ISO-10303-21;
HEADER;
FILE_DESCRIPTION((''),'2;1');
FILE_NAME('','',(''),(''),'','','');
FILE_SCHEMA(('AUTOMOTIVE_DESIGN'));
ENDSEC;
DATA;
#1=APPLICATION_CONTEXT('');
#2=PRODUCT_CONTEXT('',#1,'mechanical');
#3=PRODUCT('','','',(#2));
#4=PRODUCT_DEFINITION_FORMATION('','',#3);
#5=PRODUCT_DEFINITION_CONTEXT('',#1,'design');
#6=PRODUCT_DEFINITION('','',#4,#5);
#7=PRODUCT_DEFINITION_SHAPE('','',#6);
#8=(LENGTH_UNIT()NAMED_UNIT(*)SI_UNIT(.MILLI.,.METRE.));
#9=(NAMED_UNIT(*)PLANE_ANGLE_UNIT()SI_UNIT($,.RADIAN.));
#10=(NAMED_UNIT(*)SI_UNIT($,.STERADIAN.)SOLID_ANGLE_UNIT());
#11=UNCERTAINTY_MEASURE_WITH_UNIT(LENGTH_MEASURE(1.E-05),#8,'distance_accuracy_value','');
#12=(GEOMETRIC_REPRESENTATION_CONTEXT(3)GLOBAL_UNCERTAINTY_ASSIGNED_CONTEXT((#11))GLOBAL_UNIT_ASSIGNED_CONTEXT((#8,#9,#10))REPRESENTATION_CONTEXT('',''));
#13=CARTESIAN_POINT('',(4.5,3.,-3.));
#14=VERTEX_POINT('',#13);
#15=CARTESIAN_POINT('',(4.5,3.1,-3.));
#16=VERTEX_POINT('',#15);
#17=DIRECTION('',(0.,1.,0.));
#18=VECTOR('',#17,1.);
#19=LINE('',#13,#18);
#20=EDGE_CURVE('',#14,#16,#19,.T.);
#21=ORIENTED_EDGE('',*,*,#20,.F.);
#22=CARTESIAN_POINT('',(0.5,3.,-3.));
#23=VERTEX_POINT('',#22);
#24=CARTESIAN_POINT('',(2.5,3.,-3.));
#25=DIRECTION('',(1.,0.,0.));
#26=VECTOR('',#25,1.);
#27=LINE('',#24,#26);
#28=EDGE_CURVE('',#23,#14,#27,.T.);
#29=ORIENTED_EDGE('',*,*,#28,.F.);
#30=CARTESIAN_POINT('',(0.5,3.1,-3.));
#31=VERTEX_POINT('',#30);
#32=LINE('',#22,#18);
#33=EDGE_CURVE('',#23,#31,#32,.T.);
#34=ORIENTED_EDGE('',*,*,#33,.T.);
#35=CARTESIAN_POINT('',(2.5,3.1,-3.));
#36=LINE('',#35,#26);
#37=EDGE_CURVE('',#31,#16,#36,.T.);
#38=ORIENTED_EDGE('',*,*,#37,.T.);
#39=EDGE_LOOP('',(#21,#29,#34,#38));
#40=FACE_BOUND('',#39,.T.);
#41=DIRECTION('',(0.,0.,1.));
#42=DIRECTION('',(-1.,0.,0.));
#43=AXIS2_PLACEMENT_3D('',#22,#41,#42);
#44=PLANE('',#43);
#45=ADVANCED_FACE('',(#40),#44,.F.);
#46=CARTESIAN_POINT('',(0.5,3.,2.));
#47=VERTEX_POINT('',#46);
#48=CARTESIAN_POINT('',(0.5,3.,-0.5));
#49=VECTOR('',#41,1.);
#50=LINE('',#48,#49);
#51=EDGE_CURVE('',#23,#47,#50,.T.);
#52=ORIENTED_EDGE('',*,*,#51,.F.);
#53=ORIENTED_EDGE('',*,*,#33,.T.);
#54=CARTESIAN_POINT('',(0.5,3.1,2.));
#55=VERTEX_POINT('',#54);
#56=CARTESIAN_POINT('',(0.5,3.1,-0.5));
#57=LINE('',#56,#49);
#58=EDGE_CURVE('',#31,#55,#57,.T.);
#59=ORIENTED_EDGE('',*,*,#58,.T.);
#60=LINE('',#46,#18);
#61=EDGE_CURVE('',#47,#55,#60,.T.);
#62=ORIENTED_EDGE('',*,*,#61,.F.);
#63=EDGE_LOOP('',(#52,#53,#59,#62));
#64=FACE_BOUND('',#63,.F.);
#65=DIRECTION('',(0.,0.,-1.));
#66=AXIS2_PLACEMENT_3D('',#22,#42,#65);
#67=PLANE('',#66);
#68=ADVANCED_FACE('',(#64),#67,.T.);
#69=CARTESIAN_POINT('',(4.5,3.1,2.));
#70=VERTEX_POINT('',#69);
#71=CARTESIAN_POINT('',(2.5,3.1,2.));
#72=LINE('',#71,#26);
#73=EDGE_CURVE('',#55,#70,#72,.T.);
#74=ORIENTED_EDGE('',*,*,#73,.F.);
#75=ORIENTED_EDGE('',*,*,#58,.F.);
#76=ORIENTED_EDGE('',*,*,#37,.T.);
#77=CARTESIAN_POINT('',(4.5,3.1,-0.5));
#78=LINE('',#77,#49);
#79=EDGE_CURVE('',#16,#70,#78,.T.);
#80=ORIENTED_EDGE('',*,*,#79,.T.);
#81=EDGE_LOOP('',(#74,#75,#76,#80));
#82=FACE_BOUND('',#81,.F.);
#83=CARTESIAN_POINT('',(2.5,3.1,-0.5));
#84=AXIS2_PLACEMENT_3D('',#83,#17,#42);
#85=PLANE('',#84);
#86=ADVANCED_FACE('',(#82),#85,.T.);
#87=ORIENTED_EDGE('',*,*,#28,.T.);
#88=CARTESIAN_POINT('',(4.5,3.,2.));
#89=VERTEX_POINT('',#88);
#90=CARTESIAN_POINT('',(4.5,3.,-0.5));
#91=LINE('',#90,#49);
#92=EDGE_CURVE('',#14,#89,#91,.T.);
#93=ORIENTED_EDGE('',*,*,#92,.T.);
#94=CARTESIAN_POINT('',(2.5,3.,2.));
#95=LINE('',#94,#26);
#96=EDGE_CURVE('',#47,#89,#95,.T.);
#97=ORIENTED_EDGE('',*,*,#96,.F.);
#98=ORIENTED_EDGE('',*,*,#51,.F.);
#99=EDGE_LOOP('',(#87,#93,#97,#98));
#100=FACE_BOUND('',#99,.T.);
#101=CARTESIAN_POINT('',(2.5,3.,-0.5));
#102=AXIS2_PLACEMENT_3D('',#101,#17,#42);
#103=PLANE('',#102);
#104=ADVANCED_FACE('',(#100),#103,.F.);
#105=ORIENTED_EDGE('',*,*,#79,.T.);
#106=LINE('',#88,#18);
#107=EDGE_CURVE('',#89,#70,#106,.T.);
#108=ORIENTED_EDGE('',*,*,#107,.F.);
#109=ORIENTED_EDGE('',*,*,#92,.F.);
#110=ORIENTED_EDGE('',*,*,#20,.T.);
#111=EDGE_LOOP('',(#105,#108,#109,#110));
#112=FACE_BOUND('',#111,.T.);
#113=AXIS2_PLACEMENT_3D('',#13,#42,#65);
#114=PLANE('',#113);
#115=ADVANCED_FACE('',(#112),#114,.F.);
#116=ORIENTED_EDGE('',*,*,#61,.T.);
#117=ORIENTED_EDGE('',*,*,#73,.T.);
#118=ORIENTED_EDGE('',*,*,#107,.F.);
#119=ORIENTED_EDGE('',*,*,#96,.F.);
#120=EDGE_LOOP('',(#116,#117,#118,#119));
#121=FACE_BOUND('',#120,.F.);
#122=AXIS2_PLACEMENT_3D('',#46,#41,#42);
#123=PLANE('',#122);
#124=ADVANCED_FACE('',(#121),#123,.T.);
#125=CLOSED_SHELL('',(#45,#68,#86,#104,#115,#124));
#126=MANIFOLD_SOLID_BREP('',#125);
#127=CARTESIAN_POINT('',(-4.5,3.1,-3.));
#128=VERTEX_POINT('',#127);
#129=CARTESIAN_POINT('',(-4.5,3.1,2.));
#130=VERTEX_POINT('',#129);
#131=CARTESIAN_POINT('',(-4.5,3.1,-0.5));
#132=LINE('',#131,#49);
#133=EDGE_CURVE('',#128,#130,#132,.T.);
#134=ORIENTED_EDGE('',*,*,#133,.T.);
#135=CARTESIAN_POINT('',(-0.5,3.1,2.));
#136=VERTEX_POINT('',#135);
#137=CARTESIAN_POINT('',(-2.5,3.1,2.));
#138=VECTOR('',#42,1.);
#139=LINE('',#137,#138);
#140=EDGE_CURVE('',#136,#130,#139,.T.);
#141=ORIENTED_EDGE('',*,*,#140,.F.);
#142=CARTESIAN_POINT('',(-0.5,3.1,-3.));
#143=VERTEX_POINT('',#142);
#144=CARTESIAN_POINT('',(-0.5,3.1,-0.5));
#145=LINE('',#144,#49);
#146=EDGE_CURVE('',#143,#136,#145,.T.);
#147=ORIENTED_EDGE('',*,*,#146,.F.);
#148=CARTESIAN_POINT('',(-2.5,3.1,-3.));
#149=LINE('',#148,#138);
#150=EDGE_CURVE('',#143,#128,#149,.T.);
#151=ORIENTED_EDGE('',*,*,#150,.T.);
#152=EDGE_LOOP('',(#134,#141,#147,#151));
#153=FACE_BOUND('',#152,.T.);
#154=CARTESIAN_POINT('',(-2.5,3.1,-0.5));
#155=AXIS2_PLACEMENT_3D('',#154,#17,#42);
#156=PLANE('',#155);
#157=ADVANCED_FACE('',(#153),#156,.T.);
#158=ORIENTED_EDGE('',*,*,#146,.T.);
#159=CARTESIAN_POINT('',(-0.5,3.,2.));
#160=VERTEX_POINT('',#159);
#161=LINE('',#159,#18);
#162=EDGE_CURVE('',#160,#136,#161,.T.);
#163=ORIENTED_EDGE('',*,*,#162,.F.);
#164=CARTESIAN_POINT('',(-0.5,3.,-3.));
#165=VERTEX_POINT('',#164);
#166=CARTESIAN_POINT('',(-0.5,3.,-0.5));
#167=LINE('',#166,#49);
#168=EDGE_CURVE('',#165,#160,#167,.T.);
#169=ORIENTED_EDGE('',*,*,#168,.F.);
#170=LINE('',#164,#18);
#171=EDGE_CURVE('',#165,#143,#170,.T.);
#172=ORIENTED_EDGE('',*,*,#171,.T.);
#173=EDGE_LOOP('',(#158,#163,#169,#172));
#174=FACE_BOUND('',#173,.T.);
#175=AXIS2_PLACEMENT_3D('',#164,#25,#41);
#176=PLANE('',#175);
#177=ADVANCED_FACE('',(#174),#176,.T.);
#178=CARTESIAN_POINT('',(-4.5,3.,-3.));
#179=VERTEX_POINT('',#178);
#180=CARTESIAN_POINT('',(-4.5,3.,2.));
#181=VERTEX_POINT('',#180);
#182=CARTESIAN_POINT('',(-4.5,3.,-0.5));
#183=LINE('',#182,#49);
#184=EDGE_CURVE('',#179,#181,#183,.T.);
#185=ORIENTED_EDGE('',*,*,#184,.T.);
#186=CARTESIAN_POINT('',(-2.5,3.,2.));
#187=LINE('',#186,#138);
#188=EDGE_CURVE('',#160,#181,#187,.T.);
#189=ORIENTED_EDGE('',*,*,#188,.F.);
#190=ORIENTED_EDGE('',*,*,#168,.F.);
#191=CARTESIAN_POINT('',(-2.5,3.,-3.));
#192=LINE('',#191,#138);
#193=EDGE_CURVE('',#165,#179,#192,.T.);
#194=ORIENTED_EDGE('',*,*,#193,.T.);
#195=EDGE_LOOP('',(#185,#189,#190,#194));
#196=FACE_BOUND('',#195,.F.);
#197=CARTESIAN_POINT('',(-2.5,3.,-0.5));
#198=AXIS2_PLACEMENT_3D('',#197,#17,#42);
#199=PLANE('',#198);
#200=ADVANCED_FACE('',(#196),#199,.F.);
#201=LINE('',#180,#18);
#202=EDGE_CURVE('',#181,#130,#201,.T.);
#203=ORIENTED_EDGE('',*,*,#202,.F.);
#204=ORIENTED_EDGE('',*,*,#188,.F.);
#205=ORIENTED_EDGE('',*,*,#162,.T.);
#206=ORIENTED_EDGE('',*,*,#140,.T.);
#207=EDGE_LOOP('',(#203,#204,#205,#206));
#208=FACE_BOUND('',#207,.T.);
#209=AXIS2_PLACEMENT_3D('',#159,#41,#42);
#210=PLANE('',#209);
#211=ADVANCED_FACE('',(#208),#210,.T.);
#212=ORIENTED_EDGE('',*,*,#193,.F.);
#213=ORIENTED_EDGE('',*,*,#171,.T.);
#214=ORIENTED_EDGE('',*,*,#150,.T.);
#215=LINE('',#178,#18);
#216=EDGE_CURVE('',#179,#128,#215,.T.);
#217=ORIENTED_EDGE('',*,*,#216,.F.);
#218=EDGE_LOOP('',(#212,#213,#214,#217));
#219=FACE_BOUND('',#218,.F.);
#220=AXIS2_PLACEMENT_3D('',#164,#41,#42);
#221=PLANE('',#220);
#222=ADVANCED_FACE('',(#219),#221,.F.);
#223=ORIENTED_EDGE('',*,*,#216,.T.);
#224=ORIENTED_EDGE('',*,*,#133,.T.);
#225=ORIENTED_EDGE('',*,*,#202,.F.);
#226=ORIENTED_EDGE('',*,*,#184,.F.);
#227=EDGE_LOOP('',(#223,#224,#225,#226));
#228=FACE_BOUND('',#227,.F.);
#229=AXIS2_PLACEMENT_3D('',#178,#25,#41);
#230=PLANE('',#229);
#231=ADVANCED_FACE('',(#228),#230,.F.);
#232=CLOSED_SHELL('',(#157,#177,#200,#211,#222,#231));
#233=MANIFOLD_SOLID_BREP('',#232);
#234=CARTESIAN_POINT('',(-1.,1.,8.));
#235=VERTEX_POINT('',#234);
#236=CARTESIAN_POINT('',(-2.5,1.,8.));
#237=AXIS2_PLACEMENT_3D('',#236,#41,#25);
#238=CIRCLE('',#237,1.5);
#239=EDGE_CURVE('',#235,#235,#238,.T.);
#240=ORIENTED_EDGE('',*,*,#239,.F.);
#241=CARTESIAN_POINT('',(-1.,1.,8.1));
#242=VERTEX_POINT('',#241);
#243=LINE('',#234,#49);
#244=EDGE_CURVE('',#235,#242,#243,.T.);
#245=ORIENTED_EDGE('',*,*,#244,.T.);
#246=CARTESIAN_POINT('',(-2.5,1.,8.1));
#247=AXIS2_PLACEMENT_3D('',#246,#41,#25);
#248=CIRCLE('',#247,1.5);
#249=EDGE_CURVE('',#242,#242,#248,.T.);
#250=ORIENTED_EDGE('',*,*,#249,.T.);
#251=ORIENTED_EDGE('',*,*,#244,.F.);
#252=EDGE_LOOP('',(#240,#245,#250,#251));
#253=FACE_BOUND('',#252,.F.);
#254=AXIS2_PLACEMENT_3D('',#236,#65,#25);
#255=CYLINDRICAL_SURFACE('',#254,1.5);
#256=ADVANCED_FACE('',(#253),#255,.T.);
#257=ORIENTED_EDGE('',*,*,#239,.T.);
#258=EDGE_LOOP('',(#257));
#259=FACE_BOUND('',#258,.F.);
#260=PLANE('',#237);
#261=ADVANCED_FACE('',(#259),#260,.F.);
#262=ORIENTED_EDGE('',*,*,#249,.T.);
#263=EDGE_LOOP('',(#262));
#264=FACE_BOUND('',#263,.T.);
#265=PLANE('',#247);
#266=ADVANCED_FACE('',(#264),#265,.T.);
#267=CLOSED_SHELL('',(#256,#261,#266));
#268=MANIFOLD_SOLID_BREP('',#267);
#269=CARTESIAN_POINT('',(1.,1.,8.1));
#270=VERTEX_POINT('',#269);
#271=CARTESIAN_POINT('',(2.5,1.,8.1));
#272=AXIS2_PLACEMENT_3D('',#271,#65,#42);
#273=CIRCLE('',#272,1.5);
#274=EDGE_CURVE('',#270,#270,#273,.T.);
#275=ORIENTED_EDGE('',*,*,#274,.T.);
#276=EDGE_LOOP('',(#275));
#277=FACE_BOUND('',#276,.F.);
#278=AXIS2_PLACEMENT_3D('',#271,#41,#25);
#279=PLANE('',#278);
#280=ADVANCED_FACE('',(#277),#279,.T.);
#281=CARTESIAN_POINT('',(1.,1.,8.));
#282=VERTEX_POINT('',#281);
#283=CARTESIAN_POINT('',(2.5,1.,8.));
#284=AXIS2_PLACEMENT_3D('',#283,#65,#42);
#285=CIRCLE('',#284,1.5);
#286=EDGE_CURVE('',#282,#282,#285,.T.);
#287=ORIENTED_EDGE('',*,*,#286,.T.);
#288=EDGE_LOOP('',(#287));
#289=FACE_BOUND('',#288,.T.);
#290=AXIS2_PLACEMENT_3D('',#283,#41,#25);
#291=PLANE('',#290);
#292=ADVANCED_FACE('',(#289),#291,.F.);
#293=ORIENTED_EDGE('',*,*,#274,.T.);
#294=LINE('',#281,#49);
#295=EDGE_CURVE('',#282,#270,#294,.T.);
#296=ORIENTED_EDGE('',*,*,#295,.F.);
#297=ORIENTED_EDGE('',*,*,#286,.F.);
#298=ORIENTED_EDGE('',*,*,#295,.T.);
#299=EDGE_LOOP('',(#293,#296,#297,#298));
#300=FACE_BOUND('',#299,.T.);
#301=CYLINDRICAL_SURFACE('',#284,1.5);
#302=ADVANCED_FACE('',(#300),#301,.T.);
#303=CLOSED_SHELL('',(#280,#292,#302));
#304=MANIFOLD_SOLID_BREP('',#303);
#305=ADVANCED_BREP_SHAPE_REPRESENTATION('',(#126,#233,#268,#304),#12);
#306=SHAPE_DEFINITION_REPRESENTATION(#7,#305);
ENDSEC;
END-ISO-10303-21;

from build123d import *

# Parameters (mm, degrees)
SKETCH007_W  = 4
SKETCH007_H  = 5
PAD005_DEPTH = 0.1
SKETCH008_R  = 1.5
PAD006_DEPTH = 0.1


with BuildPart() as part:
    # Sketch007 (on DatumPlane) → Pad005 (new body)
    with BuildSketch(Plane(origin=(0, 3, 6), x_dir=(-1, 0, 0), z_dir=(0, 1, 0))):
        with Locations((2.5, -6.5)):
            Rectangle(SKETCH007_W, SKETCH007_H)
    pad005 = extrude(amount=PAD005_DEPTH)

    # Mirrored: Pad005 across Sketch007 V_Axis
    add(pad005.mirror(Plane(origin=(0, 3, 6), x_dir=(0, 1, 0), z_dir=(-1, 0, 0))))

    # Sketch008 (on DatumPlane) → Pad006 (join)
    with BuildSketch(Plane.XY.offset(8)):
        with Locations((-2.5, 1)):
            Circle(SKETCH008_R)
    pad006 = extrude(amount=PAD006_DEPTH)

    # Mirrored001: Pad006 across Sketch008 V_Axis
    add(pad006.mirror(Plane(origin=(0, 0, 8), x_dir=(0, 0, 1), z_dir=(1, 0, 0))))


solid = part.part
